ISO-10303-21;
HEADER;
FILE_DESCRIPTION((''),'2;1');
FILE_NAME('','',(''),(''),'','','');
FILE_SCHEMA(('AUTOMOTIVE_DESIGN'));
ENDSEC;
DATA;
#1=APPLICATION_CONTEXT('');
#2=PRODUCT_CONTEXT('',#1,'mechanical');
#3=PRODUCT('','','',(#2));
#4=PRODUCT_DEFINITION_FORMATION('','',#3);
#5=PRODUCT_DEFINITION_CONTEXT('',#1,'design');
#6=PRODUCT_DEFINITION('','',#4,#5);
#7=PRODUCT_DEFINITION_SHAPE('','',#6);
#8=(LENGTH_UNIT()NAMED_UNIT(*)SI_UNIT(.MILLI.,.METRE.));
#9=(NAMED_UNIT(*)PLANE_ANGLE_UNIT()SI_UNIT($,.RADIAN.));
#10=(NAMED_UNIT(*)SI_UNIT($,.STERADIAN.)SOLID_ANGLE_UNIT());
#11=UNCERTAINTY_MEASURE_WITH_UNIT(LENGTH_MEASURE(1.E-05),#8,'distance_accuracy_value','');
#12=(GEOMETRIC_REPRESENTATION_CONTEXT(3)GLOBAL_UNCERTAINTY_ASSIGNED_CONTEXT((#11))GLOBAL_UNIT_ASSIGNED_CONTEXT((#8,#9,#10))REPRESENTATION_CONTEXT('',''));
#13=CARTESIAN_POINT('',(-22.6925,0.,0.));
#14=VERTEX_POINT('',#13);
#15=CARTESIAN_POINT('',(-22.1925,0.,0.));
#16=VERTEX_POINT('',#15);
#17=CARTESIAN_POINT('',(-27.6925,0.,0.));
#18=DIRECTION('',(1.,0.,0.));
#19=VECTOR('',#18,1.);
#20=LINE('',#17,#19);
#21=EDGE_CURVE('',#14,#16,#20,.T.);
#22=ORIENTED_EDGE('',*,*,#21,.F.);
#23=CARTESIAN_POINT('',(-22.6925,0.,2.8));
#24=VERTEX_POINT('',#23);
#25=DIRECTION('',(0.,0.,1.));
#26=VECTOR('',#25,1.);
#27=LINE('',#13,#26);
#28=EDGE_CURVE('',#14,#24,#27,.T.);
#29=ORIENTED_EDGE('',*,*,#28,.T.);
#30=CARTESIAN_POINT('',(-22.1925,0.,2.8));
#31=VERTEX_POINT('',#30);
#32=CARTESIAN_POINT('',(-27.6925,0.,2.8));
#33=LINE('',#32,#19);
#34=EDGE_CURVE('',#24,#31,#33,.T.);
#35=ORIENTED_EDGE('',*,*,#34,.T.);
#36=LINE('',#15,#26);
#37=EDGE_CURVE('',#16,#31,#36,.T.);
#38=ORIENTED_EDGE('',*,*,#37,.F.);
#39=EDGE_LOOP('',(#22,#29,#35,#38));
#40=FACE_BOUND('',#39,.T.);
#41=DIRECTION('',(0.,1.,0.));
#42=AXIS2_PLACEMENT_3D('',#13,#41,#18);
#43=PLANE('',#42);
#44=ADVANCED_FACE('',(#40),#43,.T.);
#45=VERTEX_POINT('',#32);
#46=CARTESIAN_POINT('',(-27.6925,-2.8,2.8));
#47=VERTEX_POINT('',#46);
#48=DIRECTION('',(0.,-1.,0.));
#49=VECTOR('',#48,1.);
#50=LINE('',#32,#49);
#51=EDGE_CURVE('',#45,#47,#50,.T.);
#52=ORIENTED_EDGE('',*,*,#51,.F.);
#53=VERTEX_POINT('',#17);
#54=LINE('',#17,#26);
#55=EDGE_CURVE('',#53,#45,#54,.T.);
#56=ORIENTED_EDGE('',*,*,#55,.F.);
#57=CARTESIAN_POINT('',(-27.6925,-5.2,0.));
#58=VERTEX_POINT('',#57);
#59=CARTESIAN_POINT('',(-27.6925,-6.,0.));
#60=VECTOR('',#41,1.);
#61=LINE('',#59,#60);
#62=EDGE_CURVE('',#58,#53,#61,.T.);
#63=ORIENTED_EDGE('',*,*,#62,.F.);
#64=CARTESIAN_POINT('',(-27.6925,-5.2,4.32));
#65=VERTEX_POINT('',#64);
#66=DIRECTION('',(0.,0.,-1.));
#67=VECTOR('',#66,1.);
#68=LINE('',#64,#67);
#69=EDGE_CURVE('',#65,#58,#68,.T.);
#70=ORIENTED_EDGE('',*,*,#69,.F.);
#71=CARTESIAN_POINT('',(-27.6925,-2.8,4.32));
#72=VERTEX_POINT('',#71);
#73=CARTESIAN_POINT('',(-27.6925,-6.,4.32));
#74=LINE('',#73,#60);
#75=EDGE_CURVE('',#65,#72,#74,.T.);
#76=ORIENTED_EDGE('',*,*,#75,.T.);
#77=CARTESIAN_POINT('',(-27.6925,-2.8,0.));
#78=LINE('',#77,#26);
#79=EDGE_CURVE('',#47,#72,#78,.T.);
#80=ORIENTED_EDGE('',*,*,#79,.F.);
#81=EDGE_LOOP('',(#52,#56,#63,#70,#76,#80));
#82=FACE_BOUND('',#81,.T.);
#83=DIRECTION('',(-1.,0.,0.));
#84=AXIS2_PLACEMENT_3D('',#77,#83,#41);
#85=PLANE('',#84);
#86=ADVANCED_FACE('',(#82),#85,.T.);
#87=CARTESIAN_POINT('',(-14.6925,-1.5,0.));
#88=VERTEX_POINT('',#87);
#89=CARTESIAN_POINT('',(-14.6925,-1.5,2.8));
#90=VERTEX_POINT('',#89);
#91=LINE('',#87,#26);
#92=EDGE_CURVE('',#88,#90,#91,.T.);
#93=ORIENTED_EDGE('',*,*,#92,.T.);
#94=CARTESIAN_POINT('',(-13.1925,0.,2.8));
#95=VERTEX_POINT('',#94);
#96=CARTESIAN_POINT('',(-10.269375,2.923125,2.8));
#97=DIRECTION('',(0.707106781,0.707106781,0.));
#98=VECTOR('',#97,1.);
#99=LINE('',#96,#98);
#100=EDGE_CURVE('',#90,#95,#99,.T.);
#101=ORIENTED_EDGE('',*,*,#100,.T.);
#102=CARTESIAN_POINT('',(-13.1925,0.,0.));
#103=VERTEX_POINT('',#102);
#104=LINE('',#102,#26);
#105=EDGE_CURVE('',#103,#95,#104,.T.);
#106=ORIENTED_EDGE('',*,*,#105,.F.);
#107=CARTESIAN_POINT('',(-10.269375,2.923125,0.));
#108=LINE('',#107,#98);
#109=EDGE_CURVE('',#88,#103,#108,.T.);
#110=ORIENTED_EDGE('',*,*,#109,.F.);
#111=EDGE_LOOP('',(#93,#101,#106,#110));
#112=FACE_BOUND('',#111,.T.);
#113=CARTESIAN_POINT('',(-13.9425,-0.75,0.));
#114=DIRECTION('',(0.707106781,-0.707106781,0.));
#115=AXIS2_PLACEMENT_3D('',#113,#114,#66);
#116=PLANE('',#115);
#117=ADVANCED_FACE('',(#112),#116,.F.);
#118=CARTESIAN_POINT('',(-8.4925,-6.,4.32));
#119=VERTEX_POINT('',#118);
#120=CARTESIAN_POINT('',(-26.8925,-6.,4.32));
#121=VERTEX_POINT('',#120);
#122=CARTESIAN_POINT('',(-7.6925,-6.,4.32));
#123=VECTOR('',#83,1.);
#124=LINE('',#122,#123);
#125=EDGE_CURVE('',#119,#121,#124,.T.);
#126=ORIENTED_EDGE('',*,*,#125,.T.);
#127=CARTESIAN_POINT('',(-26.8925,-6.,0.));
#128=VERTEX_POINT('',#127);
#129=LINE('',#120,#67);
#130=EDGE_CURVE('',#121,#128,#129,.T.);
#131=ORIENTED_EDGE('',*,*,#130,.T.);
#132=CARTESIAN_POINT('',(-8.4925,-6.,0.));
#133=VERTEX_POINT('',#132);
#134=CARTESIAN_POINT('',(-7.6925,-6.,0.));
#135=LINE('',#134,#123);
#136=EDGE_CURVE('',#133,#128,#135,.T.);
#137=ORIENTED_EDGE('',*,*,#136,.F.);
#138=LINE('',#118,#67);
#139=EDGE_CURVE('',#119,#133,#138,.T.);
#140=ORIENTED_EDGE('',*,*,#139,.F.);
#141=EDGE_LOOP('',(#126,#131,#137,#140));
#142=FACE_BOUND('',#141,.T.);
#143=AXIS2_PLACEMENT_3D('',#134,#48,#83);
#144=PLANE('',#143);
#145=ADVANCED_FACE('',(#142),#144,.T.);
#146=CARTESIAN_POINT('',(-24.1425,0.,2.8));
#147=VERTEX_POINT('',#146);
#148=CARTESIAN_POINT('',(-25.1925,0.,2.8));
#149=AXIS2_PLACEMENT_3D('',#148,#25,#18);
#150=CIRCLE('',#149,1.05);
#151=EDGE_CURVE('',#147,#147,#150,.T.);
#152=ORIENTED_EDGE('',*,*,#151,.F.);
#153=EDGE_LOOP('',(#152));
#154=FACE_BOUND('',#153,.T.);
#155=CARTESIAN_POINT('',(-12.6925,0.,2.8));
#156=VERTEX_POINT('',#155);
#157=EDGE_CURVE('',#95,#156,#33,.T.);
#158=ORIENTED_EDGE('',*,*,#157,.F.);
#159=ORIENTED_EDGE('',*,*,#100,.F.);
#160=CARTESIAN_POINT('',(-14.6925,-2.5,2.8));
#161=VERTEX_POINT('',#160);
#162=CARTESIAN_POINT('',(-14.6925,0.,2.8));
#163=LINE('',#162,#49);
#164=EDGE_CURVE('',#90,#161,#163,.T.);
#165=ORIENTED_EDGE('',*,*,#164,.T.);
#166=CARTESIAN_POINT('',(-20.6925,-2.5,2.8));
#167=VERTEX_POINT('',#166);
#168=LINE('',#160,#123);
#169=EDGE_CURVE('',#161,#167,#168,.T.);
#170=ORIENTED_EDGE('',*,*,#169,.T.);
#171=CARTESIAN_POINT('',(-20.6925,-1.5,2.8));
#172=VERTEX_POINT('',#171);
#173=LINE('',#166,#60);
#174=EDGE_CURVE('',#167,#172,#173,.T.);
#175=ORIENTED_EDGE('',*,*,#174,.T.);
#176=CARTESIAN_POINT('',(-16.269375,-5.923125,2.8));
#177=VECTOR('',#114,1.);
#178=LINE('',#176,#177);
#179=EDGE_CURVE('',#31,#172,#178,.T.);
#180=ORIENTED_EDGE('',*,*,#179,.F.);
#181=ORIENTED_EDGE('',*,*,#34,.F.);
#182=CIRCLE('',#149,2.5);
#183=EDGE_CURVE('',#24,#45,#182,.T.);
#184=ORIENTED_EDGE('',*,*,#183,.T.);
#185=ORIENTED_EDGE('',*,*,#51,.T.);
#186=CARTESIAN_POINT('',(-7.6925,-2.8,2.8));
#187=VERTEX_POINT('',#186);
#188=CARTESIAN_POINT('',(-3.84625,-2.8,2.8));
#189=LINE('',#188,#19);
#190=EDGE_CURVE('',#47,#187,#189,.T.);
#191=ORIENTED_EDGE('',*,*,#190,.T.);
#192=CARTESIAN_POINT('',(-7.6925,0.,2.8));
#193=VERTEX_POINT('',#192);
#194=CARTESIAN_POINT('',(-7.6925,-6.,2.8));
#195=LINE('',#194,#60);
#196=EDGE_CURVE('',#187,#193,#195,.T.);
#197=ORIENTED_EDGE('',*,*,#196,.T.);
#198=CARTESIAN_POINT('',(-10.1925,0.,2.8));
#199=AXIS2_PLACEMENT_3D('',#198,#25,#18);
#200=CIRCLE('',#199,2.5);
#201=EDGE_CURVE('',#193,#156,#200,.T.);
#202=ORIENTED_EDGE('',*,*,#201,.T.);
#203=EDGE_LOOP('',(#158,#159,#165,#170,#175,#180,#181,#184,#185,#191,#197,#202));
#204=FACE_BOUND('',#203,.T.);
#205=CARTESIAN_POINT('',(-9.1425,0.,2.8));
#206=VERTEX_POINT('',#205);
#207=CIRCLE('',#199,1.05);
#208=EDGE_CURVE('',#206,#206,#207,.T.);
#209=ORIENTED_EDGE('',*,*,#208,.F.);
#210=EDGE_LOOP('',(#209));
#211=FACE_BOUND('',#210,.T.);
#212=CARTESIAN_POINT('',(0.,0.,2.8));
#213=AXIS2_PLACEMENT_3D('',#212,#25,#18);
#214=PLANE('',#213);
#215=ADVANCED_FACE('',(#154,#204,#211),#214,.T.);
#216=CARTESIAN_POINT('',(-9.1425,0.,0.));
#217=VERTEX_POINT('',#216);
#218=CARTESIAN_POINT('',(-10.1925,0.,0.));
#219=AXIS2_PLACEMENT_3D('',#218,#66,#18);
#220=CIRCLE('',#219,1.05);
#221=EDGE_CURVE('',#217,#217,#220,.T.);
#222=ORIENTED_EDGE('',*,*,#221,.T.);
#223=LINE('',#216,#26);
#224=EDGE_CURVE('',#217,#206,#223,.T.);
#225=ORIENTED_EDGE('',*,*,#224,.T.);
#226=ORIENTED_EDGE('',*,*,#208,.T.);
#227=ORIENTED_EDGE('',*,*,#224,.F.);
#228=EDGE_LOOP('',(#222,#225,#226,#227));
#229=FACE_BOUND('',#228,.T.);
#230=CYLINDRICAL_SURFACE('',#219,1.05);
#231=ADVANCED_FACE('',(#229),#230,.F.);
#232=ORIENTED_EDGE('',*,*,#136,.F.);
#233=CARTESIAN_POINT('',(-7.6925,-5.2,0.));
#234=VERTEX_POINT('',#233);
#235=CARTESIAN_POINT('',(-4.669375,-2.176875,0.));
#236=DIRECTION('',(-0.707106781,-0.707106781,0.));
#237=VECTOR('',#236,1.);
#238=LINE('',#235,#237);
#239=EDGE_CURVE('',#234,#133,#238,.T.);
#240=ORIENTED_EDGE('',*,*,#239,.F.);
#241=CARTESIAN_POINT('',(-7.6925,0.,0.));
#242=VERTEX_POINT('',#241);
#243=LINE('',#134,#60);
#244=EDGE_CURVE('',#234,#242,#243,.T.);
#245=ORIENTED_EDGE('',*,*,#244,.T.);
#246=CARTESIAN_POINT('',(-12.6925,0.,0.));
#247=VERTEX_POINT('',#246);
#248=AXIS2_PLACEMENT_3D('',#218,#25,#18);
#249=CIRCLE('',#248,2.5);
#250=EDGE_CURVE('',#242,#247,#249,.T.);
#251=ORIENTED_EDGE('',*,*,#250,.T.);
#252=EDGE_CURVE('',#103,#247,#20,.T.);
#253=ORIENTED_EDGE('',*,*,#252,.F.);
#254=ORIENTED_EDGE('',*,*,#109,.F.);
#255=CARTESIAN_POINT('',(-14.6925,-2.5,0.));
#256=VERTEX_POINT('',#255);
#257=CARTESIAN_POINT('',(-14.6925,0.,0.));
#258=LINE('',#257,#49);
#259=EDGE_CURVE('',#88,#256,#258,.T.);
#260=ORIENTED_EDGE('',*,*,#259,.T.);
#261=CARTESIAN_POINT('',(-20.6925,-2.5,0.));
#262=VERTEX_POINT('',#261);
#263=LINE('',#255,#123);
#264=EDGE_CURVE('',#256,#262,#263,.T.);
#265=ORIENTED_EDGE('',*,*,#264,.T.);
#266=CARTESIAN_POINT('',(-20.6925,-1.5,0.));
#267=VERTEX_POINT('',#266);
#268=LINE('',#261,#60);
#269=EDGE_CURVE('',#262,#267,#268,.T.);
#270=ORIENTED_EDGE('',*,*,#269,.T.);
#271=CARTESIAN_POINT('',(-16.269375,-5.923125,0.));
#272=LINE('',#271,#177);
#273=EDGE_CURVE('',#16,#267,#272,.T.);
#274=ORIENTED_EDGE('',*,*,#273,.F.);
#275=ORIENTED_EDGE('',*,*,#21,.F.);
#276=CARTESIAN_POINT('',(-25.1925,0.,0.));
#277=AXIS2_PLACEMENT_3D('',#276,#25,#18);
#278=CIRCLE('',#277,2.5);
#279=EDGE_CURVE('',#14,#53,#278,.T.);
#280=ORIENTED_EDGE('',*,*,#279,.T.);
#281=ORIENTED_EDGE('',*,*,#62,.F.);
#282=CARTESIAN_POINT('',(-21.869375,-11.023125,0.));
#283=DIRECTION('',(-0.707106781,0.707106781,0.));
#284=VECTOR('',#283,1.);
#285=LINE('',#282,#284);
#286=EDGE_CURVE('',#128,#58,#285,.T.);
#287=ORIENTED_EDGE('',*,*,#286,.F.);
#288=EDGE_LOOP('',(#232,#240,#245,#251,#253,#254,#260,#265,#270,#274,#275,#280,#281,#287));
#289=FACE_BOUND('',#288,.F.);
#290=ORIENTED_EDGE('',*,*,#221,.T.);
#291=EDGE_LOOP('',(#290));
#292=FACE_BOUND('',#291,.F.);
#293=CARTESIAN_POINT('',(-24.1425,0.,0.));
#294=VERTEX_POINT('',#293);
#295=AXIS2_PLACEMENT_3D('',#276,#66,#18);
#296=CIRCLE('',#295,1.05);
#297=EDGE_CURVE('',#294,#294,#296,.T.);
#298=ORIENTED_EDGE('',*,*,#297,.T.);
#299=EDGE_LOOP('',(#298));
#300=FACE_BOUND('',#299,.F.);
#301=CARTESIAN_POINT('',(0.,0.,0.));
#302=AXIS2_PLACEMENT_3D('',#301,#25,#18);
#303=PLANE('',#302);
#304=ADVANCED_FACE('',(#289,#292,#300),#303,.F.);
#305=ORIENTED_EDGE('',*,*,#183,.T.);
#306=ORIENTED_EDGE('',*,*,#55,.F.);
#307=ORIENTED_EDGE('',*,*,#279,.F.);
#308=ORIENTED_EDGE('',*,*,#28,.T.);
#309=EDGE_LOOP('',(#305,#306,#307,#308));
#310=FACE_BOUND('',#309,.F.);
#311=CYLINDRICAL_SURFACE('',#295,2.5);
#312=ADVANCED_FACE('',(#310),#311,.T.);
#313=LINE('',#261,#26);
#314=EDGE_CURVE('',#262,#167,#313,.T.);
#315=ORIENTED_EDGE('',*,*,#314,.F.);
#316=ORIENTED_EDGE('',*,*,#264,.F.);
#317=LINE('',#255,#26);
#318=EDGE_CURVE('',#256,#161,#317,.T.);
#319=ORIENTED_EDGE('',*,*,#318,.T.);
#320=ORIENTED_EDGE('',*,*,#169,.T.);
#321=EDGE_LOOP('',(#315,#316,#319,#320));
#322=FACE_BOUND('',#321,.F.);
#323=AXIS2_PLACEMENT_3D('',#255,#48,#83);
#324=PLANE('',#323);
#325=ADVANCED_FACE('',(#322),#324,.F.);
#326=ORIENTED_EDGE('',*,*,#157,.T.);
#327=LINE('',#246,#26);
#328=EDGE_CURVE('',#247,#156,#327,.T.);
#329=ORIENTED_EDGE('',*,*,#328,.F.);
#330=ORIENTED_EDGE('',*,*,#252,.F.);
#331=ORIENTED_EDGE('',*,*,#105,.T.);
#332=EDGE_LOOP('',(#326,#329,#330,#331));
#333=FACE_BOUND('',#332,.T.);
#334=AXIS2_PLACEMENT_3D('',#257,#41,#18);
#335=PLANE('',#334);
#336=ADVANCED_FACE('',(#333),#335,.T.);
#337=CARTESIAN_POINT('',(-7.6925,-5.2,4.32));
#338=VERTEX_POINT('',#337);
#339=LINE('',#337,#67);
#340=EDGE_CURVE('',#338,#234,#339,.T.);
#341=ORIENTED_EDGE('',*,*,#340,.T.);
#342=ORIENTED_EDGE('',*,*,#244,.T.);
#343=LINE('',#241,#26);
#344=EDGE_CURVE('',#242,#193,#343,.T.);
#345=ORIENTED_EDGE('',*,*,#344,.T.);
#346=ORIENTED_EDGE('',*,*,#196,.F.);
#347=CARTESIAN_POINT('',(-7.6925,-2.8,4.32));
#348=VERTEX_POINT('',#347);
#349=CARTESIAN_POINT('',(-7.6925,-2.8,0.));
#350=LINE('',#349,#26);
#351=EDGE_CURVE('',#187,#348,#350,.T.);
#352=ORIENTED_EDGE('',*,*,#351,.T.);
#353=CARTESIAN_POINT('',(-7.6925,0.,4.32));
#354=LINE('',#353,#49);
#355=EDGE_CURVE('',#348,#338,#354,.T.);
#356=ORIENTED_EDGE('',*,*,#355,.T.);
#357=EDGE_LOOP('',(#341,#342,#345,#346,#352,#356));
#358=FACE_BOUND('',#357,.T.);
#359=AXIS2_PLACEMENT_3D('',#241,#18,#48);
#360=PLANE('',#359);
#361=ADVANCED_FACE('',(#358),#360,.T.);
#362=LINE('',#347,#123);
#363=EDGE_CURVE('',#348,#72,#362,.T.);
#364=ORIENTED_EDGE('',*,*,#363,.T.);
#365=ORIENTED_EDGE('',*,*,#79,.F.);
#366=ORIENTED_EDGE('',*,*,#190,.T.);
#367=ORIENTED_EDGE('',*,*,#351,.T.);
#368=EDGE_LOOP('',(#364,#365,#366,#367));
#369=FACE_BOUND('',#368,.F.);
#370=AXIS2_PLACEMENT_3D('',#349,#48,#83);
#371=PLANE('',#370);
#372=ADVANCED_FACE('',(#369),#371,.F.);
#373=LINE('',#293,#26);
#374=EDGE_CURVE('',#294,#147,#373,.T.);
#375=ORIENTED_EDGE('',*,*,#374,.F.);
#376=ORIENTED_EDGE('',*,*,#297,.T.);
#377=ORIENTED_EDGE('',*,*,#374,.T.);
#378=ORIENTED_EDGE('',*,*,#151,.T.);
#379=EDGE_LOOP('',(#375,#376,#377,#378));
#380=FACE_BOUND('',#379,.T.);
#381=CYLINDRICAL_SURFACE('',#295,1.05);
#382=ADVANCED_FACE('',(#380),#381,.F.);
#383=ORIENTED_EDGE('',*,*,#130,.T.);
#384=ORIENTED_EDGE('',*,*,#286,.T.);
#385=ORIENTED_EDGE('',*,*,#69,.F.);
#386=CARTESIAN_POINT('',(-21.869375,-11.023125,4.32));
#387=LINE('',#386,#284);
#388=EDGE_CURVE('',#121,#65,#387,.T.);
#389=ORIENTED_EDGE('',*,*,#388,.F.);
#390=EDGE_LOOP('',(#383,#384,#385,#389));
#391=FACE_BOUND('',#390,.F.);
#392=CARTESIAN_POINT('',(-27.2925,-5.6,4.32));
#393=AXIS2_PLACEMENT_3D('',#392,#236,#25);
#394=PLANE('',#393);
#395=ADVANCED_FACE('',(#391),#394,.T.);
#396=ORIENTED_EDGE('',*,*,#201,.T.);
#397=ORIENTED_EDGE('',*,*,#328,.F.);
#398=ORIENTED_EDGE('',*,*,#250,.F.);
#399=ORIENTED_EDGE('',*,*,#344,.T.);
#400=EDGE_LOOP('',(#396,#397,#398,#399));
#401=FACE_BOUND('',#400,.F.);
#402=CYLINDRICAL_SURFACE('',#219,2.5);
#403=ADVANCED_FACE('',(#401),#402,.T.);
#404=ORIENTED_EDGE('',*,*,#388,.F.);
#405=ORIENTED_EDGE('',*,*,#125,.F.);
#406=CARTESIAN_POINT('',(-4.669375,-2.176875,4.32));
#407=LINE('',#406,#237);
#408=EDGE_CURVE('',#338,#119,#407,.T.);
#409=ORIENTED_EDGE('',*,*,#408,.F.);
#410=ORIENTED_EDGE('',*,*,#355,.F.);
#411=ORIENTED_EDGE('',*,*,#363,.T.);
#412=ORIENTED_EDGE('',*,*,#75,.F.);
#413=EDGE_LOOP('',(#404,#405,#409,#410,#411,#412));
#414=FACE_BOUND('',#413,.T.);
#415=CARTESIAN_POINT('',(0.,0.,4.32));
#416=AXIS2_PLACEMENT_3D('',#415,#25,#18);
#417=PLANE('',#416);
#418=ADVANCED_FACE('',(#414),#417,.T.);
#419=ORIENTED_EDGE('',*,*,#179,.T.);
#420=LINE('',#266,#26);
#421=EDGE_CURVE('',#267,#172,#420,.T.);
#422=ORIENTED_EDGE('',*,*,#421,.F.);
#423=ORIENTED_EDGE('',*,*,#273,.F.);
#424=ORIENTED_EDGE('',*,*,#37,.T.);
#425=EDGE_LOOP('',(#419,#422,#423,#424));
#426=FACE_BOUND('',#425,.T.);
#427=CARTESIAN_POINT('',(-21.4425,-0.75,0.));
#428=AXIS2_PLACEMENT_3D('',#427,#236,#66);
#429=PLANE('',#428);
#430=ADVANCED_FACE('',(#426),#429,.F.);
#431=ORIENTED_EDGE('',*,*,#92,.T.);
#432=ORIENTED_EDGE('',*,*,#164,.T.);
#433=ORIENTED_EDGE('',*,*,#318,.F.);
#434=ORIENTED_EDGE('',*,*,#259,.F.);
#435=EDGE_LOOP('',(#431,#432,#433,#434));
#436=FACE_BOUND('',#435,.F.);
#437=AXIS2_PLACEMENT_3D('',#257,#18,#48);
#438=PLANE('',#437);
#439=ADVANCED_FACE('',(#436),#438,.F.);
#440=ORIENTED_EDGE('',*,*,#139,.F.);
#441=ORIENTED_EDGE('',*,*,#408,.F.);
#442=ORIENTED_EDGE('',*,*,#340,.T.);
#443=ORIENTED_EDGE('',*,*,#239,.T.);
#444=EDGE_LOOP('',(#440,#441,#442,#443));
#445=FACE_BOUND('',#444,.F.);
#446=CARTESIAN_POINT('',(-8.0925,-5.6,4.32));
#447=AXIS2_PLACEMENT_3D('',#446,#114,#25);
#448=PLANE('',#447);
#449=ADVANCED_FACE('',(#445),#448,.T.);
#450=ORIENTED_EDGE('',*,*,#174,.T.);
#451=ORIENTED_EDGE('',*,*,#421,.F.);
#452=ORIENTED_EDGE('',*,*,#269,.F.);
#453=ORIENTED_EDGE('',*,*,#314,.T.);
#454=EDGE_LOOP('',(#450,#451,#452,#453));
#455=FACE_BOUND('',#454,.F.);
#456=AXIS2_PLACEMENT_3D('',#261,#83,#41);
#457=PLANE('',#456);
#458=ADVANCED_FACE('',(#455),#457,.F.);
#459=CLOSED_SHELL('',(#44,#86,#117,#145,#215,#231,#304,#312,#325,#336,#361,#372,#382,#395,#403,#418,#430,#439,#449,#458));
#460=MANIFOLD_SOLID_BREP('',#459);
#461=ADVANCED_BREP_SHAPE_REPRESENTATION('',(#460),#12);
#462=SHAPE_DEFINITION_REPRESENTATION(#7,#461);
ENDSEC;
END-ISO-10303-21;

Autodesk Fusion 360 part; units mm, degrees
sketch "Sketch1" plane through (0, 0, 0) normal (0, 0, 1) x (1, 0, 0)
  circle A0 centre (-10.1925, 0) radius 2.5
  circle A1 centre (-25.1925, 0) radius 2.5
  circle A2 centre (-25.1925, 0) radius 1.6
  circle A3 centre (-10.1925, 0) radius 1.6
  line L0 (-27.6925, 0) -> (-7.6925, 0)
  line L1 (-7.6925, 0) -> (-7.6925, -6)
  line L2 (-7.6925, -6) -> (-27.6925, -6)
  line L3 (-27.6925, -6) -> (-27.6925, 0)
  line L4 (-27.6925, 0) -> (-22.6925, 0)
  line L5 (-20.6925, 0) -> (-14.6925, 0)
  line L6 (-14.6925, 0) -> (-14.6925, -2.5)
  line L7 (-14.6925, -2.5) -> (-20.6925, -2.5)
  line L8 (-20.6925, -2.5) -> (-20.6925, 0)
  line L9 (-27.6925, 0) -> (-2.5588, 0)
  line L10 (-7.6925, -2.8) -> (-27.6925, -2.8)
  line L11 (-27.6925, -2.8) -> (-27.6925, 0)
  circle A4 centre (-25.1925, 0) radius 1.05
  circle A5 centre (-10.1925, 0) radius 1.05
  dimension "d1" = 5
  dimension "d3" = 5
  dimension "d4" = 15
  dimension "d6" = 3.2
  dimension "d7" = 3.2
  dimension "d10" = 6
  dimension "d11" = 5
  dimension "d13" = 2.5
  dimension "d14" = 2.8
  dimension "d21" = 6
  dimension "d22" = 2.1
  dimension "d23" = 2.1
extrude "Extrude1" add sketch "Sketch1" along normal blind 2.8 contours A0 A3 L0 L9 | A0 A1 L0 L1 L3 L6 L7 L8 L9 L10 L11 | A0 A3 L0 L9 | L1 L2 L3 L10 | A1 A2 L0 L4 L9 | A1 A2 L0 L4 L9
extrude "Extrude2" add sketch "Sketch1" along normal blind 4.32 contours L1 L2 L3 L10
chamfer "Chamfer1" distance 1.5 angle 45 2 edges at (-14.6925, 0, 1.4) (-20.6925, 0, 1.4)
chamfer "Chamfer2" distance 0.8 angle 45 2 edges at (-27.6925, -6, 2.16) (-7.6925, -6, 2.16)
extrude "Extrude3" add sketch "Sketch1" along normal up to surface (2.8 mm away) contours A3 L0 L9 A5 | A3 L0 L9 A5 | A2 L0 L4 L9 A4 | A2 L0 L4 L9 A4
equation "d17 = 2.8 mm + 1.52 mm"
